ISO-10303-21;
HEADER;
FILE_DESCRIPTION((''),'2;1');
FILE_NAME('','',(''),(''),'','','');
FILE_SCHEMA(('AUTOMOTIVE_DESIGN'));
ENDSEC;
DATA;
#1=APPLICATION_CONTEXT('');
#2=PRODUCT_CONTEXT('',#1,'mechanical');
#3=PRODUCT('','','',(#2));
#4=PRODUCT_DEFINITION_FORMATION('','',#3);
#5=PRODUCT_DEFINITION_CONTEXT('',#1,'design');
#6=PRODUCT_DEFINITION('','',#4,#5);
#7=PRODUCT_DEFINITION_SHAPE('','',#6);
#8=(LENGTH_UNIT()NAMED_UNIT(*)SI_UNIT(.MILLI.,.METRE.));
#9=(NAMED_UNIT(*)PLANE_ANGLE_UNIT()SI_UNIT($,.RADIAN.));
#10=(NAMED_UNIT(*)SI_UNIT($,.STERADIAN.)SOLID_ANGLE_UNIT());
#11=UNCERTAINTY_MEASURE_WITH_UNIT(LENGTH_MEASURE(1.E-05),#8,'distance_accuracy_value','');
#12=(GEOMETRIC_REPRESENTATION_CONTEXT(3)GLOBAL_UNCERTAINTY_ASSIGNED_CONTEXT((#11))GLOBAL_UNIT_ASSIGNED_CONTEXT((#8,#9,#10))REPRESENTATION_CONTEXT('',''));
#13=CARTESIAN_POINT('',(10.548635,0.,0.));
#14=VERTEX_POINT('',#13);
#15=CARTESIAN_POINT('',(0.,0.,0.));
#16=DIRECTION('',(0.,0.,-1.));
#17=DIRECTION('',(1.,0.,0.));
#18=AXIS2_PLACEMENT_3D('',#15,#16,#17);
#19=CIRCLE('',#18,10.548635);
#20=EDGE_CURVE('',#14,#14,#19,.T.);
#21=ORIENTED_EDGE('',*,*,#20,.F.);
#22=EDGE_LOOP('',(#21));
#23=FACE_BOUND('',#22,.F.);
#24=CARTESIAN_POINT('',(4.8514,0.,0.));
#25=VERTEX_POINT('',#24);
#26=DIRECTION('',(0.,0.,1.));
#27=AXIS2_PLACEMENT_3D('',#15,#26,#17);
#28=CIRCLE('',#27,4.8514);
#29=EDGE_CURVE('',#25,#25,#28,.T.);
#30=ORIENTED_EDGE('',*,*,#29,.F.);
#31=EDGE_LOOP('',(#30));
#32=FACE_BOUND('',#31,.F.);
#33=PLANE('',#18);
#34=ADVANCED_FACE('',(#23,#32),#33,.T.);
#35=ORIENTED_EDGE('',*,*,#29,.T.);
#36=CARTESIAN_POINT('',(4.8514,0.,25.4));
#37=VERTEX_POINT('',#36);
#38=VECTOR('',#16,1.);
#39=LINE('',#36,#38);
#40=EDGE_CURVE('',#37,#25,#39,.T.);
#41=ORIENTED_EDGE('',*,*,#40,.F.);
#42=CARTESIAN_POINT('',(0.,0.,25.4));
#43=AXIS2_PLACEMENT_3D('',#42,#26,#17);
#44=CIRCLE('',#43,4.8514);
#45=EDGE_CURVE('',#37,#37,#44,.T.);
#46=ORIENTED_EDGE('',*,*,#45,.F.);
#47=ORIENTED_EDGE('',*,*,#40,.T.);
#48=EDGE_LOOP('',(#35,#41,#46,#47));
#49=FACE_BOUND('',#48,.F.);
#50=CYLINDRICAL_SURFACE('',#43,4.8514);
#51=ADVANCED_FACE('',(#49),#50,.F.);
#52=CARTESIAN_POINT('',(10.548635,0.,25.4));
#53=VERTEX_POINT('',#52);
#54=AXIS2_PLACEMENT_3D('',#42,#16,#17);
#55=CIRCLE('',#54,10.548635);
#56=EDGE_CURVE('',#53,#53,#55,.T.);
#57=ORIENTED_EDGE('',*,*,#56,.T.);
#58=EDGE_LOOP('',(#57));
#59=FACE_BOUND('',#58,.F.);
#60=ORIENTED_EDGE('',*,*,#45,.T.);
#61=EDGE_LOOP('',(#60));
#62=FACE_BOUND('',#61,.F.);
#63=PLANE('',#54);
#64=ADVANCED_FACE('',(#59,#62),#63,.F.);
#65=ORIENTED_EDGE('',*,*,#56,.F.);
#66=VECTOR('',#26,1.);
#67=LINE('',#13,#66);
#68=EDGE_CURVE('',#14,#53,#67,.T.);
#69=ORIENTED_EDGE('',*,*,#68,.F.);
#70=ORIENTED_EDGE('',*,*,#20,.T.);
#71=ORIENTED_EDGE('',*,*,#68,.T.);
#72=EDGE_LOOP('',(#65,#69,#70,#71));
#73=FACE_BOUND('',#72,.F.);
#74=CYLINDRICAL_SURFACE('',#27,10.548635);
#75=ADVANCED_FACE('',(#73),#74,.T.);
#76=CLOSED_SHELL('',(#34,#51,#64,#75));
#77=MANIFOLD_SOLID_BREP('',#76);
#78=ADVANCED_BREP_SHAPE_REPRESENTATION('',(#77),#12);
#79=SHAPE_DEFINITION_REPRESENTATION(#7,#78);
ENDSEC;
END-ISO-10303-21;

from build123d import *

# Parameters (mm, degrees)
F2_R     = 4.8514
F3_DEPTH = 25.4


with BuildPart() as f1:
    # F0 (on Front) → F1 (revolve)
    with BuildSketch(Plane.XZ):
        Polygon((0, 0.135239), (0, 0), (10.548635, 0), align=None)
        Polygon((0, 0.135239), (10.548635, 0), (10.548635, 25.4), (9.715849, 25.4), (0, 25.4), align=None)
    revolve(axis=Axis((0, 0, 12.7), (0, 0, -1)))

    # F2 (on face) → F3 (cut)
    with BuildSketch(Plane.XY.offset(25.4)):
        Circle(F2_R)
    extrude(amount=-F3_DEPTH, mode=Mode.SUBTRACT)


solid = f1.part
